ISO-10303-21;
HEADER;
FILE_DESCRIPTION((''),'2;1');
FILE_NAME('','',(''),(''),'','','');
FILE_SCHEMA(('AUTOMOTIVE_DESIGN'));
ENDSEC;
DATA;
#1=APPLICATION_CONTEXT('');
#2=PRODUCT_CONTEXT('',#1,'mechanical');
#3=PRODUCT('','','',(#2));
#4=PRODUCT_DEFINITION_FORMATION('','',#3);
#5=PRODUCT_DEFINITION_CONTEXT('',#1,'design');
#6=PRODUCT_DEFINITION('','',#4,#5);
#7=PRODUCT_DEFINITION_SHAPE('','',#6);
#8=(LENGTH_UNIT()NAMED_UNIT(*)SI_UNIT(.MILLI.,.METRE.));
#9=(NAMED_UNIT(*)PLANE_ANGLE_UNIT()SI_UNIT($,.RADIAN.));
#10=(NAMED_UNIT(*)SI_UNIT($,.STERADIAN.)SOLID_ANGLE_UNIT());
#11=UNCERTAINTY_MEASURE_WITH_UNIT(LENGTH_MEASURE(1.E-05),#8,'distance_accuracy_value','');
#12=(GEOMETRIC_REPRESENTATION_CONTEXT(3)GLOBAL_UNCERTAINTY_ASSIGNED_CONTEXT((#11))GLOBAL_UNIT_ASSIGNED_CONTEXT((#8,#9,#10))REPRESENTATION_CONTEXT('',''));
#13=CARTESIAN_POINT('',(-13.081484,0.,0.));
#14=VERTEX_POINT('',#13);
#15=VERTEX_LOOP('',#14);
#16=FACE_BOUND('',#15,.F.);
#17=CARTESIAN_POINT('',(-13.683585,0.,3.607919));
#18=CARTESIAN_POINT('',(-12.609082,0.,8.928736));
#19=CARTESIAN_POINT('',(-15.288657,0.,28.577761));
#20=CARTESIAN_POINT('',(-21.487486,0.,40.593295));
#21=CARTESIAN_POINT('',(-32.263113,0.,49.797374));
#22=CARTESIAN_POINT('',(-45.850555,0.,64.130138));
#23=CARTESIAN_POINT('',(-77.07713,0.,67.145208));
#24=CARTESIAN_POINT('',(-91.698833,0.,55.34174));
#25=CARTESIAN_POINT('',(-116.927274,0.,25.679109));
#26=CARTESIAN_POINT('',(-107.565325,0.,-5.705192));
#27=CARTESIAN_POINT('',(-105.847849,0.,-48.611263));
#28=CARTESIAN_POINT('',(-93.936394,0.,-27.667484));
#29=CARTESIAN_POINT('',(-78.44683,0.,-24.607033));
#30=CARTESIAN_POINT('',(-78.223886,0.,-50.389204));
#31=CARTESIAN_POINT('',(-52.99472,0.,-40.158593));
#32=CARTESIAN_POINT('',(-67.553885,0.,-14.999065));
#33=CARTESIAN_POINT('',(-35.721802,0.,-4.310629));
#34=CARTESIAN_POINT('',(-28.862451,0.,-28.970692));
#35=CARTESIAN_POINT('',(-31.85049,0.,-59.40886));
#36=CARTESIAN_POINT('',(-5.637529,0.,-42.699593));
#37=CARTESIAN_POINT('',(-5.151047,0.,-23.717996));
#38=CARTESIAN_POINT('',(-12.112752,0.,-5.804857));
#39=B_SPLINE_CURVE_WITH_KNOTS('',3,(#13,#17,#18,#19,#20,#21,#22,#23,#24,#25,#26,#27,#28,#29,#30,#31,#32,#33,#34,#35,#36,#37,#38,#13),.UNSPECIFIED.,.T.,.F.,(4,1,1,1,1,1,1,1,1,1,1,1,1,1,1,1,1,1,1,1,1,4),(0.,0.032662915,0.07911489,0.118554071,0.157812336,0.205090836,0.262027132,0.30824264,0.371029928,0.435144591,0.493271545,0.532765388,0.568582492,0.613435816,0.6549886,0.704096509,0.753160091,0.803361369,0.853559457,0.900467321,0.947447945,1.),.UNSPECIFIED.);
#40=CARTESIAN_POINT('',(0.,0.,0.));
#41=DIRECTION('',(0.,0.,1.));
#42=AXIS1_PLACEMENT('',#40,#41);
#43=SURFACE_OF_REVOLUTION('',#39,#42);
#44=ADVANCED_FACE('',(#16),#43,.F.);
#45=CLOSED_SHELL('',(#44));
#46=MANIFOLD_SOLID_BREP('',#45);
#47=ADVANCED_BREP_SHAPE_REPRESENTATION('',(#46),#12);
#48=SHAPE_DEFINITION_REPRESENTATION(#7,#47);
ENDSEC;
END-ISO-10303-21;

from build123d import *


with BuildPart() as f2:
    # F1 (on Front) → F2 (revolve)
    with BuildSketch(Plane.XZ):
        with BuildLine():
            add(Edge.make_bspline(
                [(-13.0814844742, 0), (-13.6835852244, 3.6079190474), (-12.6090819688, 8.9287363322), (-15.2886573343, 28.5777612437), (-21.4874861751, 40.5932954658), (-32.2631134505, 49.7973738872), (-45.8505551499, 64.1301383239), (-77.0771298512, 67.1452082651), (-91.6988326301, 55.3417403427), (-116.9272740617, 25.6791089861), (-107.5653253757, -5.7051915219), (-105.8478493439, -48.6112628707), (-93.9363940411, -27.667483999), (-78.4468297582, -24.6070328735), (-78.2238864072, -50.3892041082), (-52.9947204031, -40.1585933688), (-67.553885268, -14.9990645183), (-35.7218021402, -4.3106288793), (-28.8624506742, -28.9706921161), (-31.8504901985, -59.4088601671), (-5.6375294619, -42.6995926093), (-5.1510468689, -23.7179957101), (-12.1127518323, -5.8048573265), (-13.0814844742, 0)],
                knots=[0, 0, 0, 0, 0.0326629146, 0.0791148896, 0.1185540711, 0.1578123355, 0.2050908364, 0.2620271323, 0.30824264, 0.3710299275, 0.435144591, 0.4932715447, 0.5327653885, 0.5685824922, 0.6134358156, 0.6549886001, 0.7040965092, 0.7531600911, 0.8033613686, 0.8535594575, 0.9004673211, 0.9474479453, 1, 1, 1, 1], degree=3))
        make_face()
    revolve(axis=Axis((0, 0, 0), (0, 0, 1)))


solid = f2.part
